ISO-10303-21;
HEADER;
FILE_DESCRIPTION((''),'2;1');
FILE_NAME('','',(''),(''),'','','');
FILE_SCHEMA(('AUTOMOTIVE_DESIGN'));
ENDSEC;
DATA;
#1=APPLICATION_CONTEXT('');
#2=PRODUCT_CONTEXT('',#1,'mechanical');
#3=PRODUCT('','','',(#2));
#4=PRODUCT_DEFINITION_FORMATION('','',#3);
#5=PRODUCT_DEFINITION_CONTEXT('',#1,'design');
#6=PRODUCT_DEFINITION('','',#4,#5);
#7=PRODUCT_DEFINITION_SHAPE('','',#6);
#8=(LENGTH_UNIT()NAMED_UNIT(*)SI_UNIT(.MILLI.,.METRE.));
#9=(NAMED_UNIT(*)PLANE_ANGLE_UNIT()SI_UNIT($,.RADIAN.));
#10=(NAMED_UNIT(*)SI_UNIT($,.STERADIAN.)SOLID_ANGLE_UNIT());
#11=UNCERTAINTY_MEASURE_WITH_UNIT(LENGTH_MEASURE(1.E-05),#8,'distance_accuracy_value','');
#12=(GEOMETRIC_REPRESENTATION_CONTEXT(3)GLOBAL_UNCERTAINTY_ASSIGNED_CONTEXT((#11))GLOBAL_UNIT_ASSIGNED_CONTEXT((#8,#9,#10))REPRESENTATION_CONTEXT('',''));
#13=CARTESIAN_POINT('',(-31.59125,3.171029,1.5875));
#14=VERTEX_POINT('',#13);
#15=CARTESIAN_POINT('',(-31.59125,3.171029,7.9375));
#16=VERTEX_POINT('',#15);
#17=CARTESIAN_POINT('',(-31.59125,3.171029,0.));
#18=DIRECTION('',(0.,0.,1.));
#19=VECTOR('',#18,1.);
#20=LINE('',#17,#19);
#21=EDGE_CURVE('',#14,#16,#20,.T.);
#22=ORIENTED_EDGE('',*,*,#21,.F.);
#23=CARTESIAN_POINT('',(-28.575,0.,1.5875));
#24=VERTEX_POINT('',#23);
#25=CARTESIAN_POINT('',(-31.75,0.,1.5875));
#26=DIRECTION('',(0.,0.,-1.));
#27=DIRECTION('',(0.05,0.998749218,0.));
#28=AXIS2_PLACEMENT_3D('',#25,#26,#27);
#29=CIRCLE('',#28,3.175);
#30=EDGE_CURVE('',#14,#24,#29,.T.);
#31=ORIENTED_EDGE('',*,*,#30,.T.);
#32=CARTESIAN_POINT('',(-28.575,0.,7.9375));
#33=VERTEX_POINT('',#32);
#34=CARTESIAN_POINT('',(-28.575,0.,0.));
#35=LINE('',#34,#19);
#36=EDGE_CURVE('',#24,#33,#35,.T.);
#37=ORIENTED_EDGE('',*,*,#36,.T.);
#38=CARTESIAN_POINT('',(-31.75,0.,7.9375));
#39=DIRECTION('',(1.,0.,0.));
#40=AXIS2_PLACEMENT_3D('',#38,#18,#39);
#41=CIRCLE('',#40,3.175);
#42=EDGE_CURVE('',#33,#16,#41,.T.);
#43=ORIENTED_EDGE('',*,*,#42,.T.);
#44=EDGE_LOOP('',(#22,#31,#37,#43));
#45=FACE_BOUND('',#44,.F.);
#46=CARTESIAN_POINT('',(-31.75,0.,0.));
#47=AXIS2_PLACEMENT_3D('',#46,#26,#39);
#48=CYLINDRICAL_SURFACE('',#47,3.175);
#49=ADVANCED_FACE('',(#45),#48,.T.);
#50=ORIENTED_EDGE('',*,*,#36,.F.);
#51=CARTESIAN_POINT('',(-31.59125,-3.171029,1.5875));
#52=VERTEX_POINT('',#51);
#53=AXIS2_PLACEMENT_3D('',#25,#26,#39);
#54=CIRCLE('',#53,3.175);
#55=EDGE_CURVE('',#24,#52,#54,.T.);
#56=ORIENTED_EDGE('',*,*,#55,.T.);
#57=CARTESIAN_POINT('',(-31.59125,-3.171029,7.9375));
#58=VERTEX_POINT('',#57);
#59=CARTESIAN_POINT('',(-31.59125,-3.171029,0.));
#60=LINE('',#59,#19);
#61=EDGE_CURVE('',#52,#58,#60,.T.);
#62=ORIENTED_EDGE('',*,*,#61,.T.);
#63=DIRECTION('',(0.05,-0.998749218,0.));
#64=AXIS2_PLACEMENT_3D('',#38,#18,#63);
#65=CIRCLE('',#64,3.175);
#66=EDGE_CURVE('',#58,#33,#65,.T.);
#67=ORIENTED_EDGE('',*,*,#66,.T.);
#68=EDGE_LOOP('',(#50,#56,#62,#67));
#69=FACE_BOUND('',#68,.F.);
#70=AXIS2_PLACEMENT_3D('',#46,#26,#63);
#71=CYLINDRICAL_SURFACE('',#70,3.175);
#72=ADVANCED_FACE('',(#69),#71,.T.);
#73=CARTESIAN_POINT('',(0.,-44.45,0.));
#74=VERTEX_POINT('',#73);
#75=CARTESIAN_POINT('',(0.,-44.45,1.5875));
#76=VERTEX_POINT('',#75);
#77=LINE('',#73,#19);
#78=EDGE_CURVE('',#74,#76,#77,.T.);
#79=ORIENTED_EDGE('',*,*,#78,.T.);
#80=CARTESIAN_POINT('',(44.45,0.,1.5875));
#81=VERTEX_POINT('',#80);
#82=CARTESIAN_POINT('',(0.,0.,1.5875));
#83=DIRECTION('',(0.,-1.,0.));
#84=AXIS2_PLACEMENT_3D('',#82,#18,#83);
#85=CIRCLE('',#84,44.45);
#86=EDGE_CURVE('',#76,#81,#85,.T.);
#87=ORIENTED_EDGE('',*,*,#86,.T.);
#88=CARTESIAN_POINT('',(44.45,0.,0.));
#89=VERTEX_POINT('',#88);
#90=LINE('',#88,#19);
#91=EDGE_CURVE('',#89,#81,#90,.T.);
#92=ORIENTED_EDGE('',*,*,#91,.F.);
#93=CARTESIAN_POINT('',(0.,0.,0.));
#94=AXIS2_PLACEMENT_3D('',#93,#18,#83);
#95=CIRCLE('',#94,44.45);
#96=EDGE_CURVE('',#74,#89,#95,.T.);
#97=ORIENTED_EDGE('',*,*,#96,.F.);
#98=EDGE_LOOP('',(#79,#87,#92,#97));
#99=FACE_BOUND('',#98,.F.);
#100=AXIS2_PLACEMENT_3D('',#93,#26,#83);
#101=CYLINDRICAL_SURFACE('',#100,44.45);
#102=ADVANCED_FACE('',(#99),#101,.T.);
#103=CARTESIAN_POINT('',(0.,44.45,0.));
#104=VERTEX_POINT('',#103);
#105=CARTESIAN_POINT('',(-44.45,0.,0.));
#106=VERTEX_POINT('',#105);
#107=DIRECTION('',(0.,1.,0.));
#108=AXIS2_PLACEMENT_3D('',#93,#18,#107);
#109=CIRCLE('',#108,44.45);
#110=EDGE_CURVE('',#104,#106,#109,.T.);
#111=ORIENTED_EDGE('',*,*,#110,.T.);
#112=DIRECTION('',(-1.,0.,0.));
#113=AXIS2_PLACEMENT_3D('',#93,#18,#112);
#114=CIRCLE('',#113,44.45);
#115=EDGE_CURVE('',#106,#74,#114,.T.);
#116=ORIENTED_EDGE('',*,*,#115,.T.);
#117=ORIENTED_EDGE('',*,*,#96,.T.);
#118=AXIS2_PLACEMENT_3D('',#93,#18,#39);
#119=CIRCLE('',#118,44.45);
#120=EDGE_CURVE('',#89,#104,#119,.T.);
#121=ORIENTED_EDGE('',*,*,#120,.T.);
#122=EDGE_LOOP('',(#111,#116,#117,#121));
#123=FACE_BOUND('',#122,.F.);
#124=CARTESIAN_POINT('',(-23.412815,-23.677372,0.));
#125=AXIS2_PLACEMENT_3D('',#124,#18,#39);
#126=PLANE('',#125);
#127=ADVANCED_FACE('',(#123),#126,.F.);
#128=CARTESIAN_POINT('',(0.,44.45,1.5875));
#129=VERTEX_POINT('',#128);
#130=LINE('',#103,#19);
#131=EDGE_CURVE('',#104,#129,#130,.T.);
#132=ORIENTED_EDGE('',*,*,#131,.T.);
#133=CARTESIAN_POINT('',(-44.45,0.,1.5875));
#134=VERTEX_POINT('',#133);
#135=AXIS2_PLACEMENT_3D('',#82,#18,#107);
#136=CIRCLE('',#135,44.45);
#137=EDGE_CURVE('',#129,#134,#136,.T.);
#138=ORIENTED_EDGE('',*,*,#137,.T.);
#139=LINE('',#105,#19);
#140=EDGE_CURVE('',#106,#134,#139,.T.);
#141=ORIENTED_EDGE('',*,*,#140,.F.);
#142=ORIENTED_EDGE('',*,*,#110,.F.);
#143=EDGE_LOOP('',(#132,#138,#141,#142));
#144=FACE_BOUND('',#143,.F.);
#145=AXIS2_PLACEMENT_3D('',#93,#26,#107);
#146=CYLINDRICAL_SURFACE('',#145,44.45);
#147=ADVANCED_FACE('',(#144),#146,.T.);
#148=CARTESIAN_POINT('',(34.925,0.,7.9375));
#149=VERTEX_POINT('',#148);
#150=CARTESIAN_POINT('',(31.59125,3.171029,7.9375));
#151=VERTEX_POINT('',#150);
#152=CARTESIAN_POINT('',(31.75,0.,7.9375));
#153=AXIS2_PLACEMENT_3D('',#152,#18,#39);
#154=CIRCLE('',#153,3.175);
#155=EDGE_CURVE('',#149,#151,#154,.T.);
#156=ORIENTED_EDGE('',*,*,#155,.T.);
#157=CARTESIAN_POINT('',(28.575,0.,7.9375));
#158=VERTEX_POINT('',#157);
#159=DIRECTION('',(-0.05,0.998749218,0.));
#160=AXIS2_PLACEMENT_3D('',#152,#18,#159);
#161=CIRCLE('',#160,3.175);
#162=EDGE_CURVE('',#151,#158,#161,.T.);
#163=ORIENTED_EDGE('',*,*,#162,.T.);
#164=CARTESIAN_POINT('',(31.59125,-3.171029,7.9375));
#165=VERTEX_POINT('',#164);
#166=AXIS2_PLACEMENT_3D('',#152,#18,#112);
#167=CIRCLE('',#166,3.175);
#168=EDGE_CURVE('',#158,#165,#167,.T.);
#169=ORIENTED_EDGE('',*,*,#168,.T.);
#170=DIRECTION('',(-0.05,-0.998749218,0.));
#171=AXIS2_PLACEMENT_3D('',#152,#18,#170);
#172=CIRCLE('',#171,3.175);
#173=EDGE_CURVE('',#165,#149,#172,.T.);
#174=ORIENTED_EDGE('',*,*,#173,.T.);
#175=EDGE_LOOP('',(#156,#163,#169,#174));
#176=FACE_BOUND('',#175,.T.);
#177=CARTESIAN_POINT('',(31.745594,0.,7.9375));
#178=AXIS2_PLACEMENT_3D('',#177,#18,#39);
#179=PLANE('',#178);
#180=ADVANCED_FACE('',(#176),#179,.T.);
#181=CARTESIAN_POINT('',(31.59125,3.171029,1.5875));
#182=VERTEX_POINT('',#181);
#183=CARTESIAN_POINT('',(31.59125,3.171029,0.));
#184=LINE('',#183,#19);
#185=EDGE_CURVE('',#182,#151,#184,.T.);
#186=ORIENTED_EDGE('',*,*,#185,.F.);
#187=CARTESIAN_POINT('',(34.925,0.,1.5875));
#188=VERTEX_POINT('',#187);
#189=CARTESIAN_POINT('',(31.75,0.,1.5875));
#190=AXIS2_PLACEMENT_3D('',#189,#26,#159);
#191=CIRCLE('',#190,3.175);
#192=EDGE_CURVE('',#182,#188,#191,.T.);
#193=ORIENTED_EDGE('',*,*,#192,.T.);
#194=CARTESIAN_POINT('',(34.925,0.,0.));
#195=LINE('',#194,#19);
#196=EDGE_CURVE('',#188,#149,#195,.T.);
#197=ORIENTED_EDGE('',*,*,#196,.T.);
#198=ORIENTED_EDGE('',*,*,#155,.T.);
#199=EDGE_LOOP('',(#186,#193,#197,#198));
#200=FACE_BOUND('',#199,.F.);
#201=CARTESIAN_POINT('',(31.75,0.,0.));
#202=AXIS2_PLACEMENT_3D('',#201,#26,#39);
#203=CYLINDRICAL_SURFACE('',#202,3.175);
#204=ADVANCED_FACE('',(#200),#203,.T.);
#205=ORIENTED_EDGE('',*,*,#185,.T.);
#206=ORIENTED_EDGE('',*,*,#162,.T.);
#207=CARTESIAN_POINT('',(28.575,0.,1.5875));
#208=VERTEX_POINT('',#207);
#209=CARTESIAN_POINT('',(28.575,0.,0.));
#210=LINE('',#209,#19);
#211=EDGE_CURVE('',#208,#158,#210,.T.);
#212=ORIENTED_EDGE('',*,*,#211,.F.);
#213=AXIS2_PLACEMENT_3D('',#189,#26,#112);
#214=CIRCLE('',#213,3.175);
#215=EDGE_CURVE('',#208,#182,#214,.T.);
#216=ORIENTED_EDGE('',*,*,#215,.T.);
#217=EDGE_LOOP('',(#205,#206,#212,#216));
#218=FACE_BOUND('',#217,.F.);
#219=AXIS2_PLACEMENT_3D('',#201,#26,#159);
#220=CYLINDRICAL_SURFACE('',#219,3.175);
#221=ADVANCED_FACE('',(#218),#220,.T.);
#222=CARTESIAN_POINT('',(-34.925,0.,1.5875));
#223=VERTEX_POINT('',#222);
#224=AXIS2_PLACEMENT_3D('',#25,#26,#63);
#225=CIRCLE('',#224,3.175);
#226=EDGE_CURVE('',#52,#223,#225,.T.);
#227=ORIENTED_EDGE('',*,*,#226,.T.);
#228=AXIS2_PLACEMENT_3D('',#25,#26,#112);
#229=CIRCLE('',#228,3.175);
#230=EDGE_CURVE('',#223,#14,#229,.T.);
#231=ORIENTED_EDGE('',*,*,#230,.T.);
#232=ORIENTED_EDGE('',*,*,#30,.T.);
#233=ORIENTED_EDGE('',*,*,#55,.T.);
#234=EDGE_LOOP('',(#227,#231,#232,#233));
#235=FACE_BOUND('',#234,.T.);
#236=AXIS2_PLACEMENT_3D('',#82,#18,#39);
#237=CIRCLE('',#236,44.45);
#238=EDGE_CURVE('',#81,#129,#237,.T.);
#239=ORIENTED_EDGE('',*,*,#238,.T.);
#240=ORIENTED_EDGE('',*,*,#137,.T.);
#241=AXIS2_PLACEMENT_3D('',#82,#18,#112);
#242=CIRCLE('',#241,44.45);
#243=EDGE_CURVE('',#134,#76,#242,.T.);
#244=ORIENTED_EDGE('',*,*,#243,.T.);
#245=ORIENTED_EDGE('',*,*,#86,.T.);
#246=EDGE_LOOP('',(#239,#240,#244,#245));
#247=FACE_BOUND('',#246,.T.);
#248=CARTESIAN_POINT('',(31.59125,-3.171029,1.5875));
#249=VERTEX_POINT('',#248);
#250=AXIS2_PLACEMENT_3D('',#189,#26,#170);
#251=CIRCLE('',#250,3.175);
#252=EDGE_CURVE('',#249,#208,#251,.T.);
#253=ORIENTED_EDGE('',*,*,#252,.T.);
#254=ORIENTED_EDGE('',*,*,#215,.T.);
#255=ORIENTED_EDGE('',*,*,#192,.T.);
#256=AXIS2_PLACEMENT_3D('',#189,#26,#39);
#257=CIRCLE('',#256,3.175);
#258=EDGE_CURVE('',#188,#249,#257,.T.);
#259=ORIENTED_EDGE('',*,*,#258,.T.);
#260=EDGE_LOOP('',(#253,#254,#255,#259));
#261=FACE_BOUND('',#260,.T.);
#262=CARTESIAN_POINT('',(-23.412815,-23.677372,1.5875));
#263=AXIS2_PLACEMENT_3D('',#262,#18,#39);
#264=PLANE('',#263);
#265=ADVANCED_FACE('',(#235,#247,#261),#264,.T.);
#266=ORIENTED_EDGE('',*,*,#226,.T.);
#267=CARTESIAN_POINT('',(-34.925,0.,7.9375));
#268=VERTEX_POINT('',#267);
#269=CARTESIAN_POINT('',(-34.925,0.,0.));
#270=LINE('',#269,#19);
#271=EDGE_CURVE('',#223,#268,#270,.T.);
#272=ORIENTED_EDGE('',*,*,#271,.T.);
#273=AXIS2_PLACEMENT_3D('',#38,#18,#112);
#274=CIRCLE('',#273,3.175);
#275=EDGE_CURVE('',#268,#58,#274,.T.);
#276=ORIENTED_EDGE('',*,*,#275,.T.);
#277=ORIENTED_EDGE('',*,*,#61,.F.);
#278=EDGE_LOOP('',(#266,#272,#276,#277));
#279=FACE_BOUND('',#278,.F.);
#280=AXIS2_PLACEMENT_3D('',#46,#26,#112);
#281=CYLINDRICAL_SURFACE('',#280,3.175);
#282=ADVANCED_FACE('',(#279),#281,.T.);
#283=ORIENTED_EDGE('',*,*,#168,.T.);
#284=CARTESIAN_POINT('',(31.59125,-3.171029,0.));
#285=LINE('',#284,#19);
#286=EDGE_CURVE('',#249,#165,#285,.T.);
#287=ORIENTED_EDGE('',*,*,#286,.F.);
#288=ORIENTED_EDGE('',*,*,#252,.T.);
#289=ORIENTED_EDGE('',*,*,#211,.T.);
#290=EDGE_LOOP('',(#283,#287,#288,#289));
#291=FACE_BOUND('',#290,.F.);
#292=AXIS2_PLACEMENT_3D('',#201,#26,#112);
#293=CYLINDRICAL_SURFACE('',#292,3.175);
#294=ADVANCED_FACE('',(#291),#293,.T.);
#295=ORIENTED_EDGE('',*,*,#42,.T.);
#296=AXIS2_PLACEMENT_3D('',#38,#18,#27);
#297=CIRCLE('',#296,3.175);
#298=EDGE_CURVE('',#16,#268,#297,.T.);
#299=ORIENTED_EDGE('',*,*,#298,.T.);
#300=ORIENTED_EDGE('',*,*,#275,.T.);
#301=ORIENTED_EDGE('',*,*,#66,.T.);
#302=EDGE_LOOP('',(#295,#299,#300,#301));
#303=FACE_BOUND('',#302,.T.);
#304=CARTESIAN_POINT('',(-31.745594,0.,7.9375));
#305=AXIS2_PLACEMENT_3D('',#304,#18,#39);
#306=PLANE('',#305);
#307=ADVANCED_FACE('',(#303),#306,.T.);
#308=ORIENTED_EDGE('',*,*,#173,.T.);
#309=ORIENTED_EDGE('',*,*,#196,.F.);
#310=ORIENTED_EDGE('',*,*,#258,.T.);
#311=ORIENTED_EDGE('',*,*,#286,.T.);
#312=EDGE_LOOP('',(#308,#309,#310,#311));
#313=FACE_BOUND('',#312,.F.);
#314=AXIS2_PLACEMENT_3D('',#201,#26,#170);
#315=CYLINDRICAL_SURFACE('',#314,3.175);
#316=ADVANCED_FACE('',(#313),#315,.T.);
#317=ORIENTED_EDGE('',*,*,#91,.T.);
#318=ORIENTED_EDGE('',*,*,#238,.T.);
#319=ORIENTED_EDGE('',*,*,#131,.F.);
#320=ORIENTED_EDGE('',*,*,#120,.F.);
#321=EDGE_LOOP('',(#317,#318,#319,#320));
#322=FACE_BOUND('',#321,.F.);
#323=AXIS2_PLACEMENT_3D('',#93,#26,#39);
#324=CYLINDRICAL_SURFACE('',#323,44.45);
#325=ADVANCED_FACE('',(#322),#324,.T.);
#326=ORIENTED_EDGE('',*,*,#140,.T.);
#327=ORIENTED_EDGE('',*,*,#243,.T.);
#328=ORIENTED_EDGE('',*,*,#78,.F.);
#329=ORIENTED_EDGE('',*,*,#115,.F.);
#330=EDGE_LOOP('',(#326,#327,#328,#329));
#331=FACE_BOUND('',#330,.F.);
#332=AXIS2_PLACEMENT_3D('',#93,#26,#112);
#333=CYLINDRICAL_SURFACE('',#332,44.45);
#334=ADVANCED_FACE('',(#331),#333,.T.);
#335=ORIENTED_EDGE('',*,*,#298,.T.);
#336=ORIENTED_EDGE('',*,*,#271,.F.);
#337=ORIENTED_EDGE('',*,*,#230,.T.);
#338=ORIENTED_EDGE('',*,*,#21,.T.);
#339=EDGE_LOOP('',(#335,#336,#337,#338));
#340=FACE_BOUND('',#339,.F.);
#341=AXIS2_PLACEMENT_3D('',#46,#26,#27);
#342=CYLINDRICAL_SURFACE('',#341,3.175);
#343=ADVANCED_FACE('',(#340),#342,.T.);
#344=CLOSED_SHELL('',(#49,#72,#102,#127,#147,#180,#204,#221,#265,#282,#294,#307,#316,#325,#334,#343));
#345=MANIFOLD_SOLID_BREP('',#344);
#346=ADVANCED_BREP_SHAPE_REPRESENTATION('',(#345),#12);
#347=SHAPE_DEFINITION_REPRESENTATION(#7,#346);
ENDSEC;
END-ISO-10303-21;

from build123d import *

# Parameters (mm, degrees)
F1_DEPTH = 1.5875
F2_DEPTH = 7.9375


with BuildPart() as f1:
    # F0 (on Top) → F1 (new body)
    with BuildSketch(Plane.XY):
        with BuildLine():
            ThreePointArc((-44.45, 0), (-31.4308964237, -31.4308964237), (0, -44.45))
            Line((0, -44.45), (0, -31.75))
            ThreePointArc((0, -31.75), (-21.3000274256, -23.5450914559), (-31.59125, -3.1710287664))
            ThreePointArc((-31.59125, -3.1710287664), (-33.9382177394, -2.3005060585), (-34.925, 0))
            Line((-34.925, 0), (-44.45, 0))
        make_face()
        with BuildLine():
            ThreePointArc((-31.59125, -3.1710287664), (-21.3000274256, -23.5450914559), (0, -31.75))
            Line((0, -31.75), (0, 0))
            Line((0, 0), (-28.575, 0))
            ThreePointArc((-28.575, 0), (-29.4494939415, -2.1882177394), (-31.59125, -3.1710287664))
        make_face()
        with BuildLine():
            Line((0, 0), (0, -31.75))
            ThreePointArc((0, -31.75), (21.3000274256, -23.5450914559), (31.59125, -3.1710287664))
            ThreePointArc((31.59125, -3.1710287664), (29.4494939415, -2.1882177394), (28.575, 0))
            Line((28.575, 0), (0, 0))
        make_face()
        with BuildLine():
            ThreePointArc((0, -44.45), (31.4308964237, -31.4308964237), (44.45, 0))
            Line((44.45, 0), (34.925, 0))
            ThreePointArc((34.925, 0), (33.9382177394, -2.3005060585), (31.59125, -3.1710287664))
            ThreePointArc((31.59125, -3.1710287664), (21.3000274256, -23.5450914559), (0, -31.75))
            Line((0, -31.75), (0, -44.45))
        make_face()
        with BuildLine():
            Line((34.925, 0), (44.45, 0))
            ThreePointArc((44.45, 0), (31.4308964237, 31.4308964237), (0, 44.45))
            Line((0, 44.45), (0, 31.75))
            ThreePointArc((0, 31.75), (21.3000274256, 23.5450914559), (31.59125, 3.1710287664))
            ThreePointArc((31.59125, 3.1710287664), (33.9382177394, 2.3005060585), (34.925, 0))
        make_face()
        with BuildLine():
            ThreePointArc((31.59125, 3.1710287664), (21.3000274256, 23.5450914559), (0, 31.75))
            Line((0, 31.75), (0, 0))
            Line((0, 0), (28.575, 0))
            ThreePointArc((28.575, 0), (29.4494939415, 2.1882177394), (31.59125, 3.1710287664))
        make_face()
        with BuildLine():
            Line((0, 0), (0, 31.75))
            ThreePointArc((0, 31.75), (-21.3000274256, 23.5450914559), (-31.59125, 3.1710287664))
            ThreePointArc((-31.59125, 3.1710287664), (-29.4494939415, 2.1882177394), (-28.575, 0))
            Line((-28.575, 0), (0, 0))
        make_face()
        with BuildLine():
            Line((0, 31.75), (0, 44.45))
            ThreePointArc((0, 44.45), (-31.4308964237, 31.4308964237), (-44.45, 0))
            Line((-44.45, 0), (-34.925, 0))
            ThreePointArc((-34.925, 0), (-33.9382177394, 2.3005060585), (-31.59125, 3.1710287664))
            ThreePointArc((-31.59125, 3.1710287664), (-21.3000274256, 23.5450914559), (0, 31.75))
        make_face()
    extrude(amount=F1_DEPTH)

    # F0 (on Top) → F2 (join)
    with BuildSketch(Plane.XY):
        with BuildLine():
            ThreePointArc((-31.59125, 3.1710287664), (-33.9382177394, 2.3005060585), (-34.925, 0))
            ThreePointArc((-34.925, 0), (-33.9382177394, -2.3005060585), (-31.59125, -3.1710287664))
            ThreePointArc((-31.59125, -3.1710287664), (-29.4494939415, -2.1882177394), (-28.575, 0))
            ThreePointArc((-28.575, 0), (-29.4494939415, 2.1882177394), (-31.59125, 3.1710287664))
        make_face()
        with BuildLine():
            ThreePointArc((31.59125, -3.1710287664), (33.9382177394, -2.3005060585), (34.925, 0))
            ThreePointArc((34.925, 0), (33.9382177394, 2.3005060585), (31.59125, 3.1710287664))
            ThreePointArc((31.59125, 3.1710287664), (29.4494939415, 2.1882177394), (28.575, 0))
            ThreePointArc((28.575, 0), (29.4494939415, -2.1882177394), (31.59125, -3.1710287664))
        make_face()
    extrude(amount=F2_DEPTH)


solid = f1.part
